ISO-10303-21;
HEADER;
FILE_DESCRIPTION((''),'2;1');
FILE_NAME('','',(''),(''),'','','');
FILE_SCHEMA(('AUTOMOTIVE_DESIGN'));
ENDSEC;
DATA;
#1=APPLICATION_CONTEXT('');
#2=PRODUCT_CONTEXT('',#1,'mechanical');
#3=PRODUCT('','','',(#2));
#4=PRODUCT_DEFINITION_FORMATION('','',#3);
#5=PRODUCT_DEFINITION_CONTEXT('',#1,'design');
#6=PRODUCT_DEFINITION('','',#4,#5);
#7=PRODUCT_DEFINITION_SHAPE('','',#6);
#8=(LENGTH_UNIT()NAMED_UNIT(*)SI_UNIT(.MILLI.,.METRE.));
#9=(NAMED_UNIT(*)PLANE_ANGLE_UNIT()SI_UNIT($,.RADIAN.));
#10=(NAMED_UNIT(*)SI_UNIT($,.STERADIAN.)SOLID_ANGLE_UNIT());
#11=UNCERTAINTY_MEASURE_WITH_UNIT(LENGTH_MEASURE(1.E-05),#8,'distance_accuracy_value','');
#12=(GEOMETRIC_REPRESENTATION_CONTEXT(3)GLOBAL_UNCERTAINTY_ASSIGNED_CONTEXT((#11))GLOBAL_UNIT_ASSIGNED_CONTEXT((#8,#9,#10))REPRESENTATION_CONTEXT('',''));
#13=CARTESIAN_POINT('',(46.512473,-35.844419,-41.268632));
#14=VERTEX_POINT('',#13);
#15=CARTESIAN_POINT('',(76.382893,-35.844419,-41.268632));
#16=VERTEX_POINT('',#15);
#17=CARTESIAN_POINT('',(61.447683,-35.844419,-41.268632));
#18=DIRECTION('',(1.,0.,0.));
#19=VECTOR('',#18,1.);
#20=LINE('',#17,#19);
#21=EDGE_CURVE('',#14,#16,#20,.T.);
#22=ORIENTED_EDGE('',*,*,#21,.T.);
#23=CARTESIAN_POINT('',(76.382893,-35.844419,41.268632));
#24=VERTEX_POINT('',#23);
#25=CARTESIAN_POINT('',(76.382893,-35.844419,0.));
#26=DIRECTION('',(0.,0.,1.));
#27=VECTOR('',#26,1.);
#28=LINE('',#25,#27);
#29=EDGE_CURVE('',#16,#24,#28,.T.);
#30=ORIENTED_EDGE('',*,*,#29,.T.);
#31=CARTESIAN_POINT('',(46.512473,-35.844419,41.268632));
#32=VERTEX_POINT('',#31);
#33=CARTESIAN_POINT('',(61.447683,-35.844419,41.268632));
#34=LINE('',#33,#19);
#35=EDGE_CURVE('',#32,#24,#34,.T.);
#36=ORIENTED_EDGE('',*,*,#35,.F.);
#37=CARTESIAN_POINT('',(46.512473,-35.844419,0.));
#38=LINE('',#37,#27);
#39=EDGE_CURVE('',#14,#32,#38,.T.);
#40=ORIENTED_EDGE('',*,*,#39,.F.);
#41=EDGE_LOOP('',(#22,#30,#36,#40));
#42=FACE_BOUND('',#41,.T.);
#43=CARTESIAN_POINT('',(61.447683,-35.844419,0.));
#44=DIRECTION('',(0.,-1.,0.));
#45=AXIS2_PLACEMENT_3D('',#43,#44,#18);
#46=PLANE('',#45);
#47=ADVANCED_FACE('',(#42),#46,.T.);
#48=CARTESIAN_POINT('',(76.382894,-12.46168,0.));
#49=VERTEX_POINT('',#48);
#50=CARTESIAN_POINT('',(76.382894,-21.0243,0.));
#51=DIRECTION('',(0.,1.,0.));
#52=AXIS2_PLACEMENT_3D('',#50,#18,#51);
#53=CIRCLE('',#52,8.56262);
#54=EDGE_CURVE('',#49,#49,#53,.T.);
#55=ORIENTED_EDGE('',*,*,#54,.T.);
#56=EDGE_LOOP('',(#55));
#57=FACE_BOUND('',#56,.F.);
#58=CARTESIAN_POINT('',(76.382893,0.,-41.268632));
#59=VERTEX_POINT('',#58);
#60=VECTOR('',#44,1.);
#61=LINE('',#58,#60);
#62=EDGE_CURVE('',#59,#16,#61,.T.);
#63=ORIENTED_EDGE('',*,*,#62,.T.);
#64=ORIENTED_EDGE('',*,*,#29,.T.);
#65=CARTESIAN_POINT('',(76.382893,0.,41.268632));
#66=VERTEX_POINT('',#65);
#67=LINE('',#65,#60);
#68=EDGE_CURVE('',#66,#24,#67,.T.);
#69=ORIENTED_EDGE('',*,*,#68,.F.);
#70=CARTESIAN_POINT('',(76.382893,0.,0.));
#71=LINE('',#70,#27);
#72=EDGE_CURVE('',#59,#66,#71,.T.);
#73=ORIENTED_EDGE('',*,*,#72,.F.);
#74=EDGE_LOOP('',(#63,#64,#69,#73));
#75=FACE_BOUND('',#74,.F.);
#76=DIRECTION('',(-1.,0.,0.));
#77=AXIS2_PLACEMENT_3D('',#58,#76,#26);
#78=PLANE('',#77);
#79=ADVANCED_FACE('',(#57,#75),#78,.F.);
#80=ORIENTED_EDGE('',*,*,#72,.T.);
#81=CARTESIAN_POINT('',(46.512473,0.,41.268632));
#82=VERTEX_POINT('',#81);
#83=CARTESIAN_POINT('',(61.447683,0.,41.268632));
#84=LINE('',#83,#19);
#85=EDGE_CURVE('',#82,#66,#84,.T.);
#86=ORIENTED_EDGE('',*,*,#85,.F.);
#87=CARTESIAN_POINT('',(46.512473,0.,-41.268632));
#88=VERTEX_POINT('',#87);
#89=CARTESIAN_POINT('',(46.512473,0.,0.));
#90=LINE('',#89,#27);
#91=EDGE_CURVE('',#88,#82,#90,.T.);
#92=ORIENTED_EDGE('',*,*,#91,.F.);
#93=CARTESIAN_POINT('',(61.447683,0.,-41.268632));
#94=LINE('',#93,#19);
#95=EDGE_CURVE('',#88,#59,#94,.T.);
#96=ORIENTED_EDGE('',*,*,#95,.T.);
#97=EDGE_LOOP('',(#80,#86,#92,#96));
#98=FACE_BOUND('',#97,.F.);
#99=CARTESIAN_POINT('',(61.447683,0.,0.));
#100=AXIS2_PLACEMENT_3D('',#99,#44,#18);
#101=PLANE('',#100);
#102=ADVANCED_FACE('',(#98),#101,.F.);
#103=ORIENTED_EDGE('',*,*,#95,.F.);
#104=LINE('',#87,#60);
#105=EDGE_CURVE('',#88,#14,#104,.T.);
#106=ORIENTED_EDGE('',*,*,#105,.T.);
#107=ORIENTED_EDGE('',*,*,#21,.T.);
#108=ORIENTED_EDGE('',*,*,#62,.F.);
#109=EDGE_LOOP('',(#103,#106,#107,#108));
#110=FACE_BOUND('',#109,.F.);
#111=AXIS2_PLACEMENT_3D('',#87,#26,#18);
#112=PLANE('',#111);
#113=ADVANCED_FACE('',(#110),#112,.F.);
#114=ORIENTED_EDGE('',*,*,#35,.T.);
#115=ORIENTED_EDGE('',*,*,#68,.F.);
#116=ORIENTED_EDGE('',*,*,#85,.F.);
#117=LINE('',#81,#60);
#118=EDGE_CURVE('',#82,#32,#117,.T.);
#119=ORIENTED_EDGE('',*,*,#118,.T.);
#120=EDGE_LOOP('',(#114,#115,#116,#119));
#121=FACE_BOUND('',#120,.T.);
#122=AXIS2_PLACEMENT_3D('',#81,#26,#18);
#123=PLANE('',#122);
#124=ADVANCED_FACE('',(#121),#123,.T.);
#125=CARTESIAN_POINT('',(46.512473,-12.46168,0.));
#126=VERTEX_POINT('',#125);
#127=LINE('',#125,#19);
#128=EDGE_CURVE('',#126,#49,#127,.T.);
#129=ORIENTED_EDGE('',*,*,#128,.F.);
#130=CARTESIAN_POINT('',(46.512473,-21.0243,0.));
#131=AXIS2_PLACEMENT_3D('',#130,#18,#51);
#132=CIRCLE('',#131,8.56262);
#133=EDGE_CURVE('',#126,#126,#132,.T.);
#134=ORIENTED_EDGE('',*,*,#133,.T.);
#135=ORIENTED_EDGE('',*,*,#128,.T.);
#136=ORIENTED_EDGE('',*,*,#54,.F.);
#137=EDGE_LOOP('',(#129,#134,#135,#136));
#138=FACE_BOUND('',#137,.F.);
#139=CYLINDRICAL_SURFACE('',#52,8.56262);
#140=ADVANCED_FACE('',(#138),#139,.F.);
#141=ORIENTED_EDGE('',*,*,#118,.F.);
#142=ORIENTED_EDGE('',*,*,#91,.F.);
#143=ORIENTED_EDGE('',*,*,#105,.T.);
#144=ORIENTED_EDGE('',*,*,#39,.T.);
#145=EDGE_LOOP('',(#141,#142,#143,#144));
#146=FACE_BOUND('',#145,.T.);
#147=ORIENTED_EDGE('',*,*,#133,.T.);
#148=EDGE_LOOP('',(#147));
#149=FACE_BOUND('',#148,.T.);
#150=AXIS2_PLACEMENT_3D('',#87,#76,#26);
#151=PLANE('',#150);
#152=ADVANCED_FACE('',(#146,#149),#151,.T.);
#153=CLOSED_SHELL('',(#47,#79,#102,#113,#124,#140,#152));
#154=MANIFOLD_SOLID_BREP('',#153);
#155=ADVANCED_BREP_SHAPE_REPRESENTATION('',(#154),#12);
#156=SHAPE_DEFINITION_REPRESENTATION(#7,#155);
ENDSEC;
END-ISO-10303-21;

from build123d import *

# Parameters (mm, degrees)
F0_W          = 29.870421
F0_H          = 82.537264
F1_DEPTH      = 35.844419
F2_R          = 8.56262
F3_DEPTH      = 61.739326
F3_DEPTH_BACK = 25.4


with BuildPart() as f1:
    # F0 (on Front) → F1 (new body)
    with BuildSketch(Plane.XZ):
        with Locations((61.447683, 0)):
            Rectangle(F0_W, F0_H)
    extrude(amount=F1_DEPTH)

    # F2 (on face) → F3 (cut, two sides)
    with BuildSketch(Plane.YZ.offset(76.382894)) as f3_sk:
        with Locations((-21.0243, 0)):
            Circle(F2_R)
    extrude(amount=-F3_DEPTH, mode=Mode.SUBTRACT)
    extrude(f3_sk.sketch, amount=-F3_DEPTH_BACK, mode=Mode.SUBTRACT)


solid = f1.part
